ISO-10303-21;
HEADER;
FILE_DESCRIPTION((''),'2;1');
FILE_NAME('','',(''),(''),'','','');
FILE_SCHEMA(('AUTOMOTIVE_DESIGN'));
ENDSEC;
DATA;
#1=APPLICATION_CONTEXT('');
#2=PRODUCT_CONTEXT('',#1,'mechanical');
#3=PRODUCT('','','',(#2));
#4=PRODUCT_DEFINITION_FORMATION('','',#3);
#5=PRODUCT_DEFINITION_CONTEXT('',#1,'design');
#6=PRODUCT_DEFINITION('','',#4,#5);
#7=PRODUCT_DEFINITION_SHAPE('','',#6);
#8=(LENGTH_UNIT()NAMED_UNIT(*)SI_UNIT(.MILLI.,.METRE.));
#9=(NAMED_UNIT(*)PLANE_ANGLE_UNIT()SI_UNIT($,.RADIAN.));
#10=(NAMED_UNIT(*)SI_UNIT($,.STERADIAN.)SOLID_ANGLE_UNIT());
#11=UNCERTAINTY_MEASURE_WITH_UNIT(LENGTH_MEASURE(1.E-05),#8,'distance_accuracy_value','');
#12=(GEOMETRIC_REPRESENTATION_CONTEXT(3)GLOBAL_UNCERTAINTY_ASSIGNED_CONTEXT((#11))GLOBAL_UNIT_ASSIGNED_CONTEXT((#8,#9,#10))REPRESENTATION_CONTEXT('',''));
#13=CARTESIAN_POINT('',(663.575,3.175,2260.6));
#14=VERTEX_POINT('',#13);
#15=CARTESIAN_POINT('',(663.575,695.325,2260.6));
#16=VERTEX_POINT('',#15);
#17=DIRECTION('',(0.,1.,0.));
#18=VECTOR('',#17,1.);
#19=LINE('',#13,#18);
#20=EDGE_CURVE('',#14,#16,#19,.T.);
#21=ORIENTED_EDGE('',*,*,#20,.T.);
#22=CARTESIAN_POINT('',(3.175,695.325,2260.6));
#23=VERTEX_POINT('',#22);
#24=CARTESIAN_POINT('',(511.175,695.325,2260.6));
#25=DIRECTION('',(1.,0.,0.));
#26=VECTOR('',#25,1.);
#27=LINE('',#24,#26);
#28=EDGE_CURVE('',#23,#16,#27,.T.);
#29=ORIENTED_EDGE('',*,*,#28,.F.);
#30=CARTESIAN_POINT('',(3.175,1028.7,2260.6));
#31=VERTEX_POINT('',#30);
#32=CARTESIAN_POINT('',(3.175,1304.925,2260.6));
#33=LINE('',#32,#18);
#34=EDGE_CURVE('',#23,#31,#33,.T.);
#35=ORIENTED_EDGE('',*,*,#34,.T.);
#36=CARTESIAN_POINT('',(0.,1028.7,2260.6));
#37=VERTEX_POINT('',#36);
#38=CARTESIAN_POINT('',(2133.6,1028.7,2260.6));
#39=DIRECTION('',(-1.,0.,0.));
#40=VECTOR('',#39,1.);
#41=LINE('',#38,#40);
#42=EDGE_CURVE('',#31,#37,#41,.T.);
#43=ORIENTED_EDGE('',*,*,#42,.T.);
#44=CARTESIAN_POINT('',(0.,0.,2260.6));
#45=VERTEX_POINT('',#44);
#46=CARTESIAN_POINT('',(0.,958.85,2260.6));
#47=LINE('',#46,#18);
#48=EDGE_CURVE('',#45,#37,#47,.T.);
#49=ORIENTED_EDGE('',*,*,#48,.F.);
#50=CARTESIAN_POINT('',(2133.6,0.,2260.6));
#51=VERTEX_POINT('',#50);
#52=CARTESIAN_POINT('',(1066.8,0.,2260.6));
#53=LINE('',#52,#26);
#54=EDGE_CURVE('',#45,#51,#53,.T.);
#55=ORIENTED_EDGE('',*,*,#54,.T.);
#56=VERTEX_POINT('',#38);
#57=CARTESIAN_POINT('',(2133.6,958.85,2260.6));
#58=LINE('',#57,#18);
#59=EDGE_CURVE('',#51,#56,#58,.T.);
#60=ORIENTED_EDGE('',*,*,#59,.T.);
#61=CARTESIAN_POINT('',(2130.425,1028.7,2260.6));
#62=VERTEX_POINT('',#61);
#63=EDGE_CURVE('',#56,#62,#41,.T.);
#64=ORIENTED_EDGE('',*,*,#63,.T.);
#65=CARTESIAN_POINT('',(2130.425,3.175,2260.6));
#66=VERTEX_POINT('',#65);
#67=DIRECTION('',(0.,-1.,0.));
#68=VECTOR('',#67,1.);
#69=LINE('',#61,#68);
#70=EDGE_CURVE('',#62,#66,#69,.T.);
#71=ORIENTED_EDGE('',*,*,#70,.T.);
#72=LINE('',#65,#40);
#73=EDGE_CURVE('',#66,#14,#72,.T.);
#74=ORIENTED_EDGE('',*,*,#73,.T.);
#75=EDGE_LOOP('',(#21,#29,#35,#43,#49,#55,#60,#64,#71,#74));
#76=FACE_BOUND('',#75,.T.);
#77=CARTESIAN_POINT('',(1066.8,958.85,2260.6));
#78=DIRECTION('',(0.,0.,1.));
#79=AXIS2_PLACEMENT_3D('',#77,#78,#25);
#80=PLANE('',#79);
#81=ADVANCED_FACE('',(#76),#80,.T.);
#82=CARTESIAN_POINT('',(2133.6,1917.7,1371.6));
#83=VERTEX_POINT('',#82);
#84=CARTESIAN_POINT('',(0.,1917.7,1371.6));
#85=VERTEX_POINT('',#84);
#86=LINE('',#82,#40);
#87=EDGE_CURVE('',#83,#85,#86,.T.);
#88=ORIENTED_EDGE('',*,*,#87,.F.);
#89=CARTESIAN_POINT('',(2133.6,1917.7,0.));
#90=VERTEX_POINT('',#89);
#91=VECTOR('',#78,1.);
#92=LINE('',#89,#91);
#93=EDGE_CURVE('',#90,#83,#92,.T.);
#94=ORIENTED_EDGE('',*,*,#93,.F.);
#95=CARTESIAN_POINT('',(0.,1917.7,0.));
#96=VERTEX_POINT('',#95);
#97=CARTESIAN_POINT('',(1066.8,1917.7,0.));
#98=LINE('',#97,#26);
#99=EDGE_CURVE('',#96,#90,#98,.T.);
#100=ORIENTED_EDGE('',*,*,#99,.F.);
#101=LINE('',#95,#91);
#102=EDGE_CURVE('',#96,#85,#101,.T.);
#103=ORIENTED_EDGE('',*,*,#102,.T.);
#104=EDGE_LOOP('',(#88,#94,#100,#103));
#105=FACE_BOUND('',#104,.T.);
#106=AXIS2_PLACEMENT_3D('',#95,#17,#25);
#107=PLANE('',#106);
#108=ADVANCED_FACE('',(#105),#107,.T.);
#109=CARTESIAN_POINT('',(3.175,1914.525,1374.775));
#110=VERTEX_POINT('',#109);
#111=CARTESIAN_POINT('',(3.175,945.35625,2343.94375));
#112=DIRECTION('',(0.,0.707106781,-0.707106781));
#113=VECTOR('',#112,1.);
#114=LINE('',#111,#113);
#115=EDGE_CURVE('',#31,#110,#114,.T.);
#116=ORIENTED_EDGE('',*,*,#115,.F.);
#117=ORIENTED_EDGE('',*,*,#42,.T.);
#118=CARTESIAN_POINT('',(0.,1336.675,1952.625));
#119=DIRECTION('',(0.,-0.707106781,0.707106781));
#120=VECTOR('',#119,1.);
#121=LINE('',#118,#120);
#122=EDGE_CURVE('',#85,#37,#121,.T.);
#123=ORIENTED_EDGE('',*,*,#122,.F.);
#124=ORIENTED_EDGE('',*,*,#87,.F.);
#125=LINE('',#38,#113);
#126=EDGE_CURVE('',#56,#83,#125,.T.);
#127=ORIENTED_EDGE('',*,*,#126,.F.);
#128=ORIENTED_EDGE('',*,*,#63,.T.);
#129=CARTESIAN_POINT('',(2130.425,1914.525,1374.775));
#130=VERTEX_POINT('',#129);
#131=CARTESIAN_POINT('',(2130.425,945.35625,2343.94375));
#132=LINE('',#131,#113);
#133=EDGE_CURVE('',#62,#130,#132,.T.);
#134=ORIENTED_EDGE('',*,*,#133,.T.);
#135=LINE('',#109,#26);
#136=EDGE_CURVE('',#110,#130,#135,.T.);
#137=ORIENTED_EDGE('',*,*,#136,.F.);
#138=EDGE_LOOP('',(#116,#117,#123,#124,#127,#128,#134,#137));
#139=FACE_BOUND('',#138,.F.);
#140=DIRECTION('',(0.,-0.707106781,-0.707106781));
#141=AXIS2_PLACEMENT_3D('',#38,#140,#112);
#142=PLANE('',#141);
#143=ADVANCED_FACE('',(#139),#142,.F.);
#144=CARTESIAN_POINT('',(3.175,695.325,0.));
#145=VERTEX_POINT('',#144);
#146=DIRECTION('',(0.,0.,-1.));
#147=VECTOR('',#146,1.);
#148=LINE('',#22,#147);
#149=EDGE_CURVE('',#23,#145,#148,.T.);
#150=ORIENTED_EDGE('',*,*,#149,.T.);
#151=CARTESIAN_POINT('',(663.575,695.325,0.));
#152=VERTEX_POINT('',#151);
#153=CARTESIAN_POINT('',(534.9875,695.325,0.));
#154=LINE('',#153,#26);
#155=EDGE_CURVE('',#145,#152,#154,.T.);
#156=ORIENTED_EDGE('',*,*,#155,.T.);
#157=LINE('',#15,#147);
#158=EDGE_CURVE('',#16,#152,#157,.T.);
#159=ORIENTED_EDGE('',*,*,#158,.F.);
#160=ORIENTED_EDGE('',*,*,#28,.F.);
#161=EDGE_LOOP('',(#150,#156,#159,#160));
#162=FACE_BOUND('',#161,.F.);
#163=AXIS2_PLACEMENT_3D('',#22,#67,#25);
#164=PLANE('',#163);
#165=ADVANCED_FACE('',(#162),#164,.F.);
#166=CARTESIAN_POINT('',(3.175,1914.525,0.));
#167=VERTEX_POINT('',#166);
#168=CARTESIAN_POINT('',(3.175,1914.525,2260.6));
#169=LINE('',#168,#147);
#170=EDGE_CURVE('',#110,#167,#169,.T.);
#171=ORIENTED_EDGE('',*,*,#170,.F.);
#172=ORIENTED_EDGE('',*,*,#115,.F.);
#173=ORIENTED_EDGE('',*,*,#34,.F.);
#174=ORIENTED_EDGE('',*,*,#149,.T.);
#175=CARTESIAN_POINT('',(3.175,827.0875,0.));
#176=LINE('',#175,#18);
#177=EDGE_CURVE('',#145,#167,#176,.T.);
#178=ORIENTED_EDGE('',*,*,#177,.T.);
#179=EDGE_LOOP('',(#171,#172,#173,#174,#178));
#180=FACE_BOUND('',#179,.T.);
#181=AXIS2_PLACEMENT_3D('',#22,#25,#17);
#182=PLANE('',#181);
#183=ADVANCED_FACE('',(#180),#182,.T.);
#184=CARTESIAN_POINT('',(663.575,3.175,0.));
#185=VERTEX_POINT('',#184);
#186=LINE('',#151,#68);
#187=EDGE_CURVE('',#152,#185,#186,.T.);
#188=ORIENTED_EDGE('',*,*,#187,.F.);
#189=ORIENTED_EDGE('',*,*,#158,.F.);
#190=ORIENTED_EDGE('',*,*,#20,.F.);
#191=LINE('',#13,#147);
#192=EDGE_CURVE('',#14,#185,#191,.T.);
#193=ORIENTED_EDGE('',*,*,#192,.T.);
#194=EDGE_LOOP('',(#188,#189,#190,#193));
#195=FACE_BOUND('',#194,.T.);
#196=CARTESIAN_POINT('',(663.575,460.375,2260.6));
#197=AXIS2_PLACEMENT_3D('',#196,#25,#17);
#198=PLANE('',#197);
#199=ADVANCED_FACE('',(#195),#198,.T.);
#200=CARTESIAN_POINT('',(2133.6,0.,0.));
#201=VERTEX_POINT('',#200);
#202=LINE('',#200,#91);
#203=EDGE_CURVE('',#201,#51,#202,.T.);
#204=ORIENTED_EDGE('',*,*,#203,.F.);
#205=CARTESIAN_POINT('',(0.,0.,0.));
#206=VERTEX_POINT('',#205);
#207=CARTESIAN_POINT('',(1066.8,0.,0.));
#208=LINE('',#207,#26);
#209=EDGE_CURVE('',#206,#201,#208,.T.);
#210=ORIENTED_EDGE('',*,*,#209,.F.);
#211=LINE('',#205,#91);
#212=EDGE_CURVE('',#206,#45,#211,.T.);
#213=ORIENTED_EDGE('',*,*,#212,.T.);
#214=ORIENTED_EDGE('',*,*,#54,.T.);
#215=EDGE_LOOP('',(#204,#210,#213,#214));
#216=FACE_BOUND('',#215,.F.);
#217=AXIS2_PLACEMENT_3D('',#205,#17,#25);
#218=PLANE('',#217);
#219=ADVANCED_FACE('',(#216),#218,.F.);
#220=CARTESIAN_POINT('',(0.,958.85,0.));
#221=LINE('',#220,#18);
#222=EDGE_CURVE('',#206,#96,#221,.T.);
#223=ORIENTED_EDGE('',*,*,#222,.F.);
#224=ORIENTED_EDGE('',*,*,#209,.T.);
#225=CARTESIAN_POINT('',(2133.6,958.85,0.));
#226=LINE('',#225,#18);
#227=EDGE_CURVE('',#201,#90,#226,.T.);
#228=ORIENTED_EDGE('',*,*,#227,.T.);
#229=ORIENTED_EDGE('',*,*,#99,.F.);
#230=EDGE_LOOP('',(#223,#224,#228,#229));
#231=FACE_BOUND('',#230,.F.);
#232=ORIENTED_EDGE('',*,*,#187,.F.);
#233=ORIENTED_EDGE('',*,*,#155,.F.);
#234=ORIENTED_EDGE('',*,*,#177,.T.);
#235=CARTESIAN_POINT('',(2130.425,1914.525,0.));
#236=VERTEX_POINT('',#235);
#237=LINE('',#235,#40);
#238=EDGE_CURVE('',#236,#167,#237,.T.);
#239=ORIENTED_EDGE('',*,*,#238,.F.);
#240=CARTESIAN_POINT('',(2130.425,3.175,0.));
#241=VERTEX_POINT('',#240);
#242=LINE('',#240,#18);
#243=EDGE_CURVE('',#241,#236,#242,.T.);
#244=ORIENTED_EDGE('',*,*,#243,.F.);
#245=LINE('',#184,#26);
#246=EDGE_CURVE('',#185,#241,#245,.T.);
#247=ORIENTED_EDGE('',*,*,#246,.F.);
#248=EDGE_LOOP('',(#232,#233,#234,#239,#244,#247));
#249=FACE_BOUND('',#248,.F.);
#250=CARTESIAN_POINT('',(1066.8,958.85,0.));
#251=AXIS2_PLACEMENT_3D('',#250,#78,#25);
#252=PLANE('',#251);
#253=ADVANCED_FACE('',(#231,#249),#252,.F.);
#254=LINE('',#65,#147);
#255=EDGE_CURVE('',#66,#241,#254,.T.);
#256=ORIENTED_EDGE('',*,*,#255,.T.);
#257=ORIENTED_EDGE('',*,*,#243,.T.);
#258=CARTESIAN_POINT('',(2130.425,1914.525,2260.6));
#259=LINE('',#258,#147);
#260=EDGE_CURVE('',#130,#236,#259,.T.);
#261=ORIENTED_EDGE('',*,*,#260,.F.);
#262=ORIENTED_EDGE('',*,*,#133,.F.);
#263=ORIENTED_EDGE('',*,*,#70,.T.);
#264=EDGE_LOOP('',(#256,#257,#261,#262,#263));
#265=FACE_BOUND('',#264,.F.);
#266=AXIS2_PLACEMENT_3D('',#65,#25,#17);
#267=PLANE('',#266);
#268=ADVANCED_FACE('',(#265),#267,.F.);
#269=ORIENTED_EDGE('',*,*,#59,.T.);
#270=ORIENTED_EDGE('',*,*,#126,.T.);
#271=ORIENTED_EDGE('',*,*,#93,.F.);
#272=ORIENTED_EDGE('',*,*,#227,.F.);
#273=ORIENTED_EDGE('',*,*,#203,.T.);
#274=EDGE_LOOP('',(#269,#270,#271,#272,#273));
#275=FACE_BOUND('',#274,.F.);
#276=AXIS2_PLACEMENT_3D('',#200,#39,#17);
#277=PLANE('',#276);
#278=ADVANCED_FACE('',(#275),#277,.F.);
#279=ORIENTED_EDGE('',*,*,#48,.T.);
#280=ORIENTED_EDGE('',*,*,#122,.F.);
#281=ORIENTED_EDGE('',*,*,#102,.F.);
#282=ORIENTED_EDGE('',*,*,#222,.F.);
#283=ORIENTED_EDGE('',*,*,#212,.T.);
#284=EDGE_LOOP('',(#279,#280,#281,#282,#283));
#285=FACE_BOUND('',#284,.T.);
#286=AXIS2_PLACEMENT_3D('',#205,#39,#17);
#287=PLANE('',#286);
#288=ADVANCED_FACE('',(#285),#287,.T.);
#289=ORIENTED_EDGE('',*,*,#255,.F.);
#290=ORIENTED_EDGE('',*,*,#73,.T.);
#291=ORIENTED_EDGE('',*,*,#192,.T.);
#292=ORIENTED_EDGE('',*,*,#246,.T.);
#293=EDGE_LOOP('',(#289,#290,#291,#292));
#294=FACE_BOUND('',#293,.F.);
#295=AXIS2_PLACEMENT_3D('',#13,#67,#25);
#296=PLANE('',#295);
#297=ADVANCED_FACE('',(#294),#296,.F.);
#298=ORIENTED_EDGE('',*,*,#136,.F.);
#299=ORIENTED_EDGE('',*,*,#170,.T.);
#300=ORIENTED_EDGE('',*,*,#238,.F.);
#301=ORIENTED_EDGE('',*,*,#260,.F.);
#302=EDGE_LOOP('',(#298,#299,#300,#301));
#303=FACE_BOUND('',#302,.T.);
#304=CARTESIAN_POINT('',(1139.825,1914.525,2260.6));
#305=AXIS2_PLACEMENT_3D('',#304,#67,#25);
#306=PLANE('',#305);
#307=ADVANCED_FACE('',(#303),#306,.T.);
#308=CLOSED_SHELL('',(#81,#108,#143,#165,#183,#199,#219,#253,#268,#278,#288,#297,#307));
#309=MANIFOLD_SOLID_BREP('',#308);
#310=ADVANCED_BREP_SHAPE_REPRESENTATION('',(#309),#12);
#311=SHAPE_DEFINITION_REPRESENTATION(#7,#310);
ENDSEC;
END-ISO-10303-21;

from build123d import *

# Parameters (mm, degrees)
F0_W      = 2133.6
F0_H      = 1917.7
F1_DEPTH  = 2260.6
F2_W      = 990.6
F2_H      = 1219.2
F2_W_2    = 1016
F3_DEPTH  = 2260.601
F4_W      = 1346.2
F4_H      = 457.2
F5_DEPTH  = 2260.601
F7_DEPTH  = 2133.601
F8_W      = 1466.85
F8_H      = 234.95
F9_DEPTH  = 2260.601
F10_W     = 120.65
F10_H     = 1219.2
F10_H_2   = 457.2
F11_DEPTH = 2260.601


with BuildPart() as f1:
    # F0 (on Top) → F1 (new body)
    with BuildSketch(Plane.XY):
        with Locations((1066.8, 958.85)):
            Rectangle(F0_W, F0_H)
    extrude(amount=F1_DEPTH)

    # F2 (on face) → F3 (cut, through all)
    with BuildSketch(Plane.XY.offset(2260.6)):
        with Locations((1635.125, 1304.925)):
            Rectangle(F2_W, F2_H)
        with Locations((511.175, 1304.925)):
            Rectangle(F2_W_2, F2_H)
    extrude(amount=-F3_DEPTH, mode=Mode.SUBTRACT)

    # F4 (on face) → F5 (cut, through all)
    with BuildSketch(Plane.XY.offset(2260.6)):
        with Locations((1336.675, 231.775)):
            Rectangle(F4_W, F4_H)
    extrude(amount=-F5_DEPTH, mode=Mode.SUBTRACT)

    # F6 (on face) → F7 (cut, through all)
    with BuildSketch(Plane.YZ.offset(2133.6)):
        Polygon((1917.7, 1371.6), (1917.7, 2260.6), (1028.7, 2260.6), align=None)
    extrude(amount=-F7_DEPTH, mode=Mode.SUBTRACT)

    # F8 (on face) → F9 (cut, through all)
    with BuildSketch(Plane.XY.offset(2260.6)):
        with Locations((1397, 577.85)):
            Rectangle(F8_W, F8_H)
    extrude(amount=-F9_DEPTH, mode=Mode.SUBTRACT)

    # F10 (on face) → F11 (cut, through all)
    with BuildSketch(Plane.XY.offset(2260.6)):
        with Locations((1079.5, 1304.925)):
            Rectangle(F10_W, F10_H)
        with Locations((2070.1, 231.775)):
            Rectangle(F10_W, F10_H_2)
    extrude(amount=-F11_DEPTH, mode=Mode.SUBTRACT)


solid = f1.part
